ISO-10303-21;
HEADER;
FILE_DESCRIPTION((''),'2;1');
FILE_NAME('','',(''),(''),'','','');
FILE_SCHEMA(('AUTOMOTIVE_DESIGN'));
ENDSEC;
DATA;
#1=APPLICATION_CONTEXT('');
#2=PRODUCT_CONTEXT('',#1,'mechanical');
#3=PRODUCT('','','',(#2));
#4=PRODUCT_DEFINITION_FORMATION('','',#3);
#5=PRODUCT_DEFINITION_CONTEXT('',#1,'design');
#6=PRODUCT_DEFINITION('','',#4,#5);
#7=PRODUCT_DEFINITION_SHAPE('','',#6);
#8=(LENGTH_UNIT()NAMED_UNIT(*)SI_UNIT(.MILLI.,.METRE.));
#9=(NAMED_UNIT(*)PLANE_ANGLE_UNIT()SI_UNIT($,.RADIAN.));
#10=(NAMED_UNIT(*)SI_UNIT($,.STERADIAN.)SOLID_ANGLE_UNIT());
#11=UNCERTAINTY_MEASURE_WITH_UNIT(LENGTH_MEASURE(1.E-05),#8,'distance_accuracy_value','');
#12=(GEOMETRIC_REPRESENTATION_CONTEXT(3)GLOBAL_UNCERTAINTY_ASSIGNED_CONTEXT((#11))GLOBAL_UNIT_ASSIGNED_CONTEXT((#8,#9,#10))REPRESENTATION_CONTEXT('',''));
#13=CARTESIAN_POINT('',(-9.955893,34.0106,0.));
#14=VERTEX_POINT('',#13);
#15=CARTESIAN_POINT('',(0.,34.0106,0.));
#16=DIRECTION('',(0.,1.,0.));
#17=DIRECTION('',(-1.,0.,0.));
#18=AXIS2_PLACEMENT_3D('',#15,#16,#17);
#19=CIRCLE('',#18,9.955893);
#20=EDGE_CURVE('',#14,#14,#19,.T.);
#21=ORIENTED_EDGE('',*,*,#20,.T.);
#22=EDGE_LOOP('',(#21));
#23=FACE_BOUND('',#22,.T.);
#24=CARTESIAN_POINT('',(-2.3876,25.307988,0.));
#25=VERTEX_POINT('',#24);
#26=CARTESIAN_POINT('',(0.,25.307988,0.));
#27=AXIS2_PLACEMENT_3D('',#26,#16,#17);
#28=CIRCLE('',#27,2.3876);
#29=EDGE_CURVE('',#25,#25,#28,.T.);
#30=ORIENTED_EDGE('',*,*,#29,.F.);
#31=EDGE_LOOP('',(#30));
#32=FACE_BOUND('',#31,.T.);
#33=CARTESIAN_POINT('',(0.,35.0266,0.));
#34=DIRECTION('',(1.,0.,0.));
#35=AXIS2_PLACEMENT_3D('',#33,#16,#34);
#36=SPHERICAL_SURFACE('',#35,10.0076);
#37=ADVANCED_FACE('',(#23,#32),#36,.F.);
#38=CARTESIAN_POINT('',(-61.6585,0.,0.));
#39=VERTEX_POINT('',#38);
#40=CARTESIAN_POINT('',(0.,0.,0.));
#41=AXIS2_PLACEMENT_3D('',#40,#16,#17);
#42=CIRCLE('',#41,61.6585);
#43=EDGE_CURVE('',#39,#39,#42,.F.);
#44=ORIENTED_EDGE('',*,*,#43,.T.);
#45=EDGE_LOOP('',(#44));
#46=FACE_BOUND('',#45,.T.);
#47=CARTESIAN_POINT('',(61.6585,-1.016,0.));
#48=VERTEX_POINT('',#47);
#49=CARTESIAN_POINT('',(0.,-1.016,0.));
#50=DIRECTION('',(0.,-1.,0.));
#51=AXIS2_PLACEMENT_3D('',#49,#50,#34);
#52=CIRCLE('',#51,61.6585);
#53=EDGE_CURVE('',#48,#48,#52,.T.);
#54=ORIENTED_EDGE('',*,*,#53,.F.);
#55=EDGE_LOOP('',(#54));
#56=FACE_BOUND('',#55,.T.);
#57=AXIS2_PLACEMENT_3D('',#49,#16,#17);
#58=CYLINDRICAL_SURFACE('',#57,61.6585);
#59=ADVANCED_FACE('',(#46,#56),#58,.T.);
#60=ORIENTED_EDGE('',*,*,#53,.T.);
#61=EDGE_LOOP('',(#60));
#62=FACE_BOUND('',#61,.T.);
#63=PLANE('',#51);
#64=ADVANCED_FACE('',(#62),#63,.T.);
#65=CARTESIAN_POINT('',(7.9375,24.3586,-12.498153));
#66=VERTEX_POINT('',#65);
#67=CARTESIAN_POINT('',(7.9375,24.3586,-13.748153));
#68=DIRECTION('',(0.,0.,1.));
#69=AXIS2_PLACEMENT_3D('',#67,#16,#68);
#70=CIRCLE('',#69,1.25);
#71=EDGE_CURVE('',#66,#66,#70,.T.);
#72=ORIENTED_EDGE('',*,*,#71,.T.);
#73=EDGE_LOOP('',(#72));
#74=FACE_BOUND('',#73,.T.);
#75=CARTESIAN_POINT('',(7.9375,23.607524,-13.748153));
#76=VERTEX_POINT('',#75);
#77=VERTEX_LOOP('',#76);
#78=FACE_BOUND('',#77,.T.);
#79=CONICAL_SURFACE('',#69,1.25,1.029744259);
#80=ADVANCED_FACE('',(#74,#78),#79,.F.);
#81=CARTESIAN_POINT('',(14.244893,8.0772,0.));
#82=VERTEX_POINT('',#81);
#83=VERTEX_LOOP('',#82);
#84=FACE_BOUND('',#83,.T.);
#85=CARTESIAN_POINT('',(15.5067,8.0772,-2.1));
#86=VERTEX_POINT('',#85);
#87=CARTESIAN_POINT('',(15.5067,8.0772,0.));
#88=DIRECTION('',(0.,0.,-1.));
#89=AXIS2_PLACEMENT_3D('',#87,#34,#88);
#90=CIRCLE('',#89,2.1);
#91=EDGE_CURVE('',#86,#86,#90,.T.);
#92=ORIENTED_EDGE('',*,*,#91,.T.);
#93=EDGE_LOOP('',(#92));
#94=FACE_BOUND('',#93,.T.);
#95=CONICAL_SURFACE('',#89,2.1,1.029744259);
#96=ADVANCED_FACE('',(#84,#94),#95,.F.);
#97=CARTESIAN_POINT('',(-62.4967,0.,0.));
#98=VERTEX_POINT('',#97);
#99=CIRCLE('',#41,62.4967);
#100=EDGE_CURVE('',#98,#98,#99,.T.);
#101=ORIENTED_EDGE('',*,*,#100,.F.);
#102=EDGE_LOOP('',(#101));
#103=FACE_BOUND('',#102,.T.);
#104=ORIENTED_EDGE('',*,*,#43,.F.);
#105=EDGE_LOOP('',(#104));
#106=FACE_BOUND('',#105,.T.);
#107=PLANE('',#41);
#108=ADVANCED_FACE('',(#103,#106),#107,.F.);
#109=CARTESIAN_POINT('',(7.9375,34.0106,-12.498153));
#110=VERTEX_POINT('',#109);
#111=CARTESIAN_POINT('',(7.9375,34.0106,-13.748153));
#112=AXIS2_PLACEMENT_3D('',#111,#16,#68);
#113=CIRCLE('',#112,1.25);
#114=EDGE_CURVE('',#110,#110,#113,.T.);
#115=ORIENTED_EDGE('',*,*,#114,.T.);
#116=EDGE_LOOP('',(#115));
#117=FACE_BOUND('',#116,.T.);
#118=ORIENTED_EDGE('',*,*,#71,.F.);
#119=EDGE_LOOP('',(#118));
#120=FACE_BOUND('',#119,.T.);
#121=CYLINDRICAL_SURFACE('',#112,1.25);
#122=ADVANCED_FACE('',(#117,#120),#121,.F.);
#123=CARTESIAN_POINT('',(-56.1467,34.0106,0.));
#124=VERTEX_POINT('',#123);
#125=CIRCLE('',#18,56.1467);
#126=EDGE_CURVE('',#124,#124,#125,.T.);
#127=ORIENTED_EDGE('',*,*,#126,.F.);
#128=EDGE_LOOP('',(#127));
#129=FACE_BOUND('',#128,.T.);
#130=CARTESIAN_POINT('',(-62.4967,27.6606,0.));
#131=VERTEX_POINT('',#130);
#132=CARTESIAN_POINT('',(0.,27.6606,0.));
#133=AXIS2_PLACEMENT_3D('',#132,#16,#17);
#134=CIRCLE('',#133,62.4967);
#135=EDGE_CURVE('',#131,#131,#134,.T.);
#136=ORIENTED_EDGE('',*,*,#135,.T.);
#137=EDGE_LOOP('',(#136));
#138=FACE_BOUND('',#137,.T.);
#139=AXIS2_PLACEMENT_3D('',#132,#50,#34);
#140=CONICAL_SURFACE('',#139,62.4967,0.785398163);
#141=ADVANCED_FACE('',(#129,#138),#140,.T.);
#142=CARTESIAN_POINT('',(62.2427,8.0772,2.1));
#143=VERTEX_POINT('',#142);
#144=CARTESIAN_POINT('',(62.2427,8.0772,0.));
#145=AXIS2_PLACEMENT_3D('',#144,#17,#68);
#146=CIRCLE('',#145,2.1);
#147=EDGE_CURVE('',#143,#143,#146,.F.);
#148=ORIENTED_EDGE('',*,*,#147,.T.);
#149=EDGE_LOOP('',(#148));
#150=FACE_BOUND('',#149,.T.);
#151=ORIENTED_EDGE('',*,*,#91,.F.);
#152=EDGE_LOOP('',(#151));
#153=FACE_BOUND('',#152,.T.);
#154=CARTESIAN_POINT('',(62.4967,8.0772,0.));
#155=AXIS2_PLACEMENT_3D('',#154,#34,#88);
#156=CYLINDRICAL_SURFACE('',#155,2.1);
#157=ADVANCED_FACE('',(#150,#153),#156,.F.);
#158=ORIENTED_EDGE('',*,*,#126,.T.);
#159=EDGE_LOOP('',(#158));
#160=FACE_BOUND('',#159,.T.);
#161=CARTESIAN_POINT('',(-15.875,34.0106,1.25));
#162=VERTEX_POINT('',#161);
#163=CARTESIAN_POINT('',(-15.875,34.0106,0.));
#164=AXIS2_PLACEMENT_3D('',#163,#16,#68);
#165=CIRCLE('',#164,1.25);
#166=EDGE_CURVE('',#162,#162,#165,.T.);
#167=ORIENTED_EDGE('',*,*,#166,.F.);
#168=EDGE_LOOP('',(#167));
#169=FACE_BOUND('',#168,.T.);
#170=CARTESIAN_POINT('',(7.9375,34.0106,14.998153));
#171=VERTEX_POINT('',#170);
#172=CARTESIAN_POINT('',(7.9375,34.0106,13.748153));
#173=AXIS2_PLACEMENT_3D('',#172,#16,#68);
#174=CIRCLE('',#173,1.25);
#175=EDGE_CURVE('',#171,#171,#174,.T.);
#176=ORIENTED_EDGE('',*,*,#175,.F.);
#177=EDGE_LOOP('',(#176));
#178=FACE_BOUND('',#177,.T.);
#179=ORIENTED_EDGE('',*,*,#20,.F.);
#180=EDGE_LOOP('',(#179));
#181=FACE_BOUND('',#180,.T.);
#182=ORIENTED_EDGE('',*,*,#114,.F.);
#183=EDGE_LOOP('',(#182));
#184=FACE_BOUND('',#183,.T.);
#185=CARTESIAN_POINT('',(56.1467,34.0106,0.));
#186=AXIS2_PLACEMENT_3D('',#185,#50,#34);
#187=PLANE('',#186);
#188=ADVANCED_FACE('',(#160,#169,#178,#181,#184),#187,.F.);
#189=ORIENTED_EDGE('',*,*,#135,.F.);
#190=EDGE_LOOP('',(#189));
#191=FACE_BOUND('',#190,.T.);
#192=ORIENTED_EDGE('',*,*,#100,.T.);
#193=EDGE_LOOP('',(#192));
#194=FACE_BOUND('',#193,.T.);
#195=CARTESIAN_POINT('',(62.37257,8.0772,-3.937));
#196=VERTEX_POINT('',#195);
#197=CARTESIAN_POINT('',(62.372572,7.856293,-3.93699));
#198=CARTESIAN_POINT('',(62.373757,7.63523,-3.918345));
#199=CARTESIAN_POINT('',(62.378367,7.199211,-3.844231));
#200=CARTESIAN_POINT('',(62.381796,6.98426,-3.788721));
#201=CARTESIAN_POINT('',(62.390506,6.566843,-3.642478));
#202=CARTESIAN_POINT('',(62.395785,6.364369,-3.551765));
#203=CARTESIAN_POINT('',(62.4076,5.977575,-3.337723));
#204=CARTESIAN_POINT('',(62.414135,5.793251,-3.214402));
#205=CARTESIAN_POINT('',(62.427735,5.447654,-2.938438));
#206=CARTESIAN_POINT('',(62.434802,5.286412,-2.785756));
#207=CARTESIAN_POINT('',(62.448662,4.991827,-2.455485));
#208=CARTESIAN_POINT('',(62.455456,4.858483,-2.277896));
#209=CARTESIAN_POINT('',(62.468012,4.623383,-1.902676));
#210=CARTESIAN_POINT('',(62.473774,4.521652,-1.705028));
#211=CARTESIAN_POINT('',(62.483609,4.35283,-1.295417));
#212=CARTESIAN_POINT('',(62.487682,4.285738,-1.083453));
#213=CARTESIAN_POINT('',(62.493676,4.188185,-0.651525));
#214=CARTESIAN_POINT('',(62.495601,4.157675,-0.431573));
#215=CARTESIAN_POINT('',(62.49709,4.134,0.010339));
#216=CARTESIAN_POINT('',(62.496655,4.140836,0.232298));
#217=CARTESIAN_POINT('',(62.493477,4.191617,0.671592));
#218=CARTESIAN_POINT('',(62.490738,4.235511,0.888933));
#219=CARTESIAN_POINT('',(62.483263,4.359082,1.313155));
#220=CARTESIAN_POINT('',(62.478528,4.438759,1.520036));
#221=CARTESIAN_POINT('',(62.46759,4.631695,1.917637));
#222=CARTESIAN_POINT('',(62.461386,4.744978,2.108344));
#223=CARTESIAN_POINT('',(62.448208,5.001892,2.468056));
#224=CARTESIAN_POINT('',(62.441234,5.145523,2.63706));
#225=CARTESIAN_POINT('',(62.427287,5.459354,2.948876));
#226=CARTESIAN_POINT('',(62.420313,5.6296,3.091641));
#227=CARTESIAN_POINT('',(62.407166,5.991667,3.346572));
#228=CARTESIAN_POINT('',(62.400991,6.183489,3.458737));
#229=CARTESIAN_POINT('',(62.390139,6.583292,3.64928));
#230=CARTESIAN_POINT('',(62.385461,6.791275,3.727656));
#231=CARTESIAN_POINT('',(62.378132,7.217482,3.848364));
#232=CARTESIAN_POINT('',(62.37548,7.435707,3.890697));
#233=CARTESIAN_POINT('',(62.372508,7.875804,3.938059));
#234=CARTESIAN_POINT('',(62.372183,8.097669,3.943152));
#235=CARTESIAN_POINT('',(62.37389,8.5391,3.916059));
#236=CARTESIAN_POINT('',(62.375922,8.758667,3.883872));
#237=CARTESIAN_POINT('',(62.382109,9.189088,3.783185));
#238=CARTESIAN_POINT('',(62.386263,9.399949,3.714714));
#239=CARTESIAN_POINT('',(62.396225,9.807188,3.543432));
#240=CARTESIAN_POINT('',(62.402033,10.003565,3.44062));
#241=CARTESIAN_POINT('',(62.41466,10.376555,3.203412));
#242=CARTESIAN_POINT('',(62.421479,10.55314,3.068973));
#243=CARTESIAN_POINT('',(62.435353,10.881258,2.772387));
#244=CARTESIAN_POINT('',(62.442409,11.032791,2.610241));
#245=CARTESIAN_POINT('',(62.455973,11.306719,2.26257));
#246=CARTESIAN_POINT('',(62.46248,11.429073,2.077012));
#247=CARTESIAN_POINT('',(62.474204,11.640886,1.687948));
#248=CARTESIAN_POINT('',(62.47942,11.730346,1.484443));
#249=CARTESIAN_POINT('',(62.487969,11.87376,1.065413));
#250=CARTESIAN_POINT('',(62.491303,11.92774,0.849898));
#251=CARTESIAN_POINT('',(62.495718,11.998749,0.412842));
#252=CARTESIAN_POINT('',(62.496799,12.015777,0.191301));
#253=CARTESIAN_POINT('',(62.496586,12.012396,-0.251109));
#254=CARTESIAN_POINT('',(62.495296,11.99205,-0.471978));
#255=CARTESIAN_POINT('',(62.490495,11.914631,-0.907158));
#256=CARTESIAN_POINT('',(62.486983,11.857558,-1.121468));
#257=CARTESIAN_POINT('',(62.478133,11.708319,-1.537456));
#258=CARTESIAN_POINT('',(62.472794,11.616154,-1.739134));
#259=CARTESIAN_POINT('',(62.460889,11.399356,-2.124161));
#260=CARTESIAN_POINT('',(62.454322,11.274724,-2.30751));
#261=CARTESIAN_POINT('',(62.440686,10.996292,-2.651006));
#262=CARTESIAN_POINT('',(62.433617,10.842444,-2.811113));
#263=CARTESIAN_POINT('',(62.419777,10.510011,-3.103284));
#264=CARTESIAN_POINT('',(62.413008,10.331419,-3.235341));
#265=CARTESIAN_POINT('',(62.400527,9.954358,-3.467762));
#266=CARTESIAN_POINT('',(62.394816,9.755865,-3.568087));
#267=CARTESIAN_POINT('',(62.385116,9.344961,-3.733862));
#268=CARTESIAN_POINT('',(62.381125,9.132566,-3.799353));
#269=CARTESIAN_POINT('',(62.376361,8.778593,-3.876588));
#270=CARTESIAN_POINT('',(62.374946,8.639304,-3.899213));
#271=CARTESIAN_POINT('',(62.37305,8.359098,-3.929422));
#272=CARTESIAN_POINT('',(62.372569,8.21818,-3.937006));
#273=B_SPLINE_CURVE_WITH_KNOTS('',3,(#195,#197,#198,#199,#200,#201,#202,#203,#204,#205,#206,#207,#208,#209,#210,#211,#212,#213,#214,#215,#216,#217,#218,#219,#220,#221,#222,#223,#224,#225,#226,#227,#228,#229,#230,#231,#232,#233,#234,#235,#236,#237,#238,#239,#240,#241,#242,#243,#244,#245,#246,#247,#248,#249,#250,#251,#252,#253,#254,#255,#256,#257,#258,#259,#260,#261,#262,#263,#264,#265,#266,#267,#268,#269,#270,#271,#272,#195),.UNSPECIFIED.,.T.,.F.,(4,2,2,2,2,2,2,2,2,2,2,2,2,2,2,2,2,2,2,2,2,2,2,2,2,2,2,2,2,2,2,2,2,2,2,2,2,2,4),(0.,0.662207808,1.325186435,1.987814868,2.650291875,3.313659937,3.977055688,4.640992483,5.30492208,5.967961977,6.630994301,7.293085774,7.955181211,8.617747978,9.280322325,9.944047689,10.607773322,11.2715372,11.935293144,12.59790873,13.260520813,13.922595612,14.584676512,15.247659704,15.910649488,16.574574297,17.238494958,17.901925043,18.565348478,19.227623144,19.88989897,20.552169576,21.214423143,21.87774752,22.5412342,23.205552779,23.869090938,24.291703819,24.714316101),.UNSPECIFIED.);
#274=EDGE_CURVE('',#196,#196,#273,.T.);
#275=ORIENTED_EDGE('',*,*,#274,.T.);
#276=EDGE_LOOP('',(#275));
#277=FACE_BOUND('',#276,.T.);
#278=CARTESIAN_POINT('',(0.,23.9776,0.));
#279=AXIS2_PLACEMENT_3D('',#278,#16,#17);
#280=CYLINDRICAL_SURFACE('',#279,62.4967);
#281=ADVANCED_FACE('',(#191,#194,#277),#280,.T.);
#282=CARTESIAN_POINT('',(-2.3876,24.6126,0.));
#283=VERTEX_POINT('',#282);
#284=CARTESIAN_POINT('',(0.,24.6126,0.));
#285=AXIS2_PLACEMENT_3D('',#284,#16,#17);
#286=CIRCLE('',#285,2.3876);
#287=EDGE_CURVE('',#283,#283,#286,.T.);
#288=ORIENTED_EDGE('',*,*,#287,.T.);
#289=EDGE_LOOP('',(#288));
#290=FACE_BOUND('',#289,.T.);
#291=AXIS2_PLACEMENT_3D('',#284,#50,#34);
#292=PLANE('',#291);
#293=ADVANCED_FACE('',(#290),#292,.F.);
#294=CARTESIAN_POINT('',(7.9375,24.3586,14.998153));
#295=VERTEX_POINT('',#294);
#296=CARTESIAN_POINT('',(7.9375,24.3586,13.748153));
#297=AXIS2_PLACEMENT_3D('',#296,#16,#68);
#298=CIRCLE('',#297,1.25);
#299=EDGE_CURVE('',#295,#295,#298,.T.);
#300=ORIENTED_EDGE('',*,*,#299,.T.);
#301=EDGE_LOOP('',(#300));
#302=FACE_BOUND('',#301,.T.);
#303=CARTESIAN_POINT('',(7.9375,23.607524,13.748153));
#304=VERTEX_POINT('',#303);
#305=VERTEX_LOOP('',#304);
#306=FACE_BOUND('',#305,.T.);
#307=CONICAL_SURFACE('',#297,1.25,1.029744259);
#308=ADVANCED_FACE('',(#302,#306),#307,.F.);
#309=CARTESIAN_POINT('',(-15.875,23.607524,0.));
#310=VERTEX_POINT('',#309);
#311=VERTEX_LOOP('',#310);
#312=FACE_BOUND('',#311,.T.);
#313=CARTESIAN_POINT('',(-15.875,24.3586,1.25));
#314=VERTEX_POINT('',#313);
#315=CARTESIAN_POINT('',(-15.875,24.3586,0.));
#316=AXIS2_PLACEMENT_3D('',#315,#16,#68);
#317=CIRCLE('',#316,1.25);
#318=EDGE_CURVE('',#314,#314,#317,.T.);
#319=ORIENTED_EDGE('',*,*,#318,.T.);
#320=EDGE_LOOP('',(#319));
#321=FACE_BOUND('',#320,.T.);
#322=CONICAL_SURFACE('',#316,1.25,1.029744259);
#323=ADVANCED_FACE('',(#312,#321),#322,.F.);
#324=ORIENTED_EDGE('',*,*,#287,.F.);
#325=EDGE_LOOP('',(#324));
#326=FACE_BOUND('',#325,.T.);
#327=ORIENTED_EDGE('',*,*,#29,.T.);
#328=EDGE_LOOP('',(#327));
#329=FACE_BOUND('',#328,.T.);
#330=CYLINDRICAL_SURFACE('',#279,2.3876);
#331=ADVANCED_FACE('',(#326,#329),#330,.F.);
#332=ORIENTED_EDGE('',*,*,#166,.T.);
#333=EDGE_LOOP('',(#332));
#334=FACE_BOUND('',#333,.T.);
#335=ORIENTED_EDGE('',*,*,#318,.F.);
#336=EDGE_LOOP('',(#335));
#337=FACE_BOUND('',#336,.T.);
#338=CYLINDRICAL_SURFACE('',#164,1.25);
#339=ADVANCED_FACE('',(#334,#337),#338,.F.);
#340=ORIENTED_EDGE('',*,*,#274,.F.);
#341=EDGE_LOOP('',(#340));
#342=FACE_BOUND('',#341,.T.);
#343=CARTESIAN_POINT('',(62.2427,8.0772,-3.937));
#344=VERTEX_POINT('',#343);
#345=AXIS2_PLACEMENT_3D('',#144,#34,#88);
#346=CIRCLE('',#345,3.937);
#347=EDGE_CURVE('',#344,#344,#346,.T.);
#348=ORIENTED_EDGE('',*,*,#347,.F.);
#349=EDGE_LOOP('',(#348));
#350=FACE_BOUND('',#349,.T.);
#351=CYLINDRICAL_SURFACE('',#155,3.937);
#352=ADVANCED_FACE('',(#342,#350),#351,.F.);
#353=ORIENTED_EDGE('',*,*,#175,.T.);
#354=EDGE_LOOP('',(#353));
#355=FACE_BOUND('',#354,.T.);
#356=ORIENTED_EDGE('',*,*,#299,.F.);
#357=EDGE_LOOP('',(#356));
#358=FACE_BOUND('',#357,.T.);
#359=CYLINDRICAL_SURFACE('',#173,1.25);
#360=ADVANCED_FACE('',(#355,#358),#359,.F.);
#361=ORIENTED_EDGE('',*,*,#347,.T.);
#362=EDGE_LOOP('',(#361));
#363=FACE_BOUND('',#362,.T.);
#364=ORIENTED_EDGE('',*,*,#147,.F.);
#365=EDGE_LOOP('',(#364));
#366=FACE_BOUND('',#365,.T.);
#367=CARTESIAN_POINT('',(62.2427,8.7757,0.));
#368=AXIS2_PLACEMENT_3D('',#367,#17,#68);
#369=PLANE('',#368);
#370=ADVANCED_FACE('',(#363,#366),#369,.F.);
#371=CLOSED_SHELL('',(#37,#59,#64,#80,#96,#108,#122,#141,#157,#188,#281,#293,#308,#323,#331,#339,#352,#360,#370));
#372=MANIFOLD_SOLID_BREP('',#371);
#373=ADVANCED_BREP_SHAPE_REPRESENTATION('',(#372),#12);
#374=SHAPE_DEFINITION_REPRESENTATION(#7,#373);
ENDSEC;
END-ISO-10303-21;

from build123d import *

# Parameters (mm, degrees)
M5X0_8_TAPPED_HOLE1_D                               = 4.2
M5X0_8_TAPPED_HOLE1_DEPTH                           = 46.99
M5X0_8_TAPPED_HOLE1_TIP                             = 1.2618073
CIRPATTERN1_COUNT                                   = 3
CBORE_FOR_00_BINDING_HEAD_MACHINE_SCREW_D           = 1.397
CBORE_FOR_00_BINDING_HEAD_MACHINE_SCREW_DEPTH       = 6.35
CBORE_FOR_00_BINDING_HEAD_MACHINE_SCREW_CBORE_D     = 7.874
CBORE_FOR_00_BINDING_HEAD_MACHINE_SCREW_CBORE_DEPTH = 0.254
CBORE_FOR_00_BINDING_HEAD_MACHINE_SCREW_TIP         = 0.419701142
SKETCH2_R                                           = 61.6585
EXTRUDE1_DEPTH                                      = 1.016


with BuildPart() as part:
    # Sketch1 → Revolve1 (revolve)
    with BuildSketch(Plane.XY, mode=Mode.PRIVATE) as revolve1_sk:
        with BuildLine():
            Line((0, 0), (62.4967, 0))
            Line((62.4967, 0), (62.4967, 27.6606))
            Line((62.4967, 27.6606), (56.1467, 34.0106))
            Line((56.1467, 34.0106), (9.955892816, 34.0106))
            ThreePointArc((9.955892816, 34.0106), (7.551444809, 28.459428687), (2.3876, 25.307987753))
            Line((2.3876, 25.307987753), (2.3876, 24.6126))
            Line((2.3876, 24.6126), (0, 24.6126))
            Line((0, 24.6126), (0, 0))
        make_face()
    revolve(revolve1_sk.sketch.rotate(Axis((0, 23.9776, 0), (0, -1, 0)), 180), axis=Axis((0, 23.9776, 0), (0, -1, 0)))  # turned: the seam where the file's is

    # M5x0.8 Tapped Hole1
    with Locations(Plane(origin=(62.4967, 8.0772, 0), x_dir=(0, 0, 1), z_dir=(1, 0, 0))):
        with Locations((0, 0)):
            Hole(M5X0_8_TAPPED_HOLE1_D / 2, depth=M5X0_8_TAPPED_HOLE1_DEPTH)
            with Locations((0, 0, -(M5X0_8_TAPPED_HOLE1_DEPTH + M5X0_8_TAPPED_HOLE1_TIP / 2))):  # 118° drill point
                Cone(0, M5X0_8_TAPPED_HOLE1_D / 2, M5X0_8_TAPPED_HOLE1_TIP, mode=Mode.SUBTRACT)

    # Sketch5 → M3x0.5 Tapped Hole1 (revolve, cut)
    with BuildSketch(Plane(origin=(-15.875, 34.0106, 0), x_dir=(0, 0, 1), z_dir=(1, 0, 0))):
        Polygon((0, 0), (0, 10.403075774), (1.25, 9.652), (1.25, 0), align=None)
    m3x0_5_tapped_hole1 = revolve(axis=Axis((-15.875, 40.3606, 0), (0, -1, 0)), mode=Mode.SUBTRACT)

    # CirPattern1: M3x0.5 Tapped Hole1 ×3 about axis
    cirpattern1_axis = Axis((0, 0, 0), (0, 1, 0))
    for i in range(1, CIRPATTERN1_COUNT):
        add(m3x0_5_tapped_hole1.rotate(cirpattern1_axis, i * 360 / CIRPATTERN1_COUNT), mode=Mode.SUBTRACT)

    # CBORE for #00 Binding Head Machine Screw1
    with Locations(Plane(origin=(62.4967, 8.0772, 0), x_dir=(0, 0, 1), z_dir=(1, 0, 0))):
        with Locations((0, 0)):
            CounterBoreHole(CBORE_FOR_00_BINDING_HEAD_MACHINE_SCREW_D / 2, CBORE_FOR_00_BINDING_HEAD_MACHINE_SCREW_CBORE_D / 2, CBORE_FOR_00_BINDING_HEAD_MACHINE_SCREW_CBORE_DEPTH, depth=CBORE_FOR_00_BINDING_HEAD_MACHINE_SCREW_DEPTH)
            with Locations((0, 0, -(CBORE_FOR_00_BINDING_HEAD_MACHINE_SCREW_DEPTH + CBORE_FOR_00_BINDING_HEAD_MACHINE_SCREW_TIP / 2))):  # 118° drill point
                Cone(0, CBORE_FOR_00_BINDING_HEAD_MACHINE_SCREW_D / 2, CBORE_FOR_00_BINDING_HEAD_MACHINE_SCREW_TIP, mode=Mode.SUBTRACT)

    # Sketch2 → Extrude1 (add)
    with BuildSketch(Plane.XZ):
        with Locations(Location((0, 0, 0), (0, 0, 180))):  # turned: the seam where the file's is
            Circle(SKETCH2_R)
    extrude(amount=EXTRUDE1_DEPTH)


solid = part.part
